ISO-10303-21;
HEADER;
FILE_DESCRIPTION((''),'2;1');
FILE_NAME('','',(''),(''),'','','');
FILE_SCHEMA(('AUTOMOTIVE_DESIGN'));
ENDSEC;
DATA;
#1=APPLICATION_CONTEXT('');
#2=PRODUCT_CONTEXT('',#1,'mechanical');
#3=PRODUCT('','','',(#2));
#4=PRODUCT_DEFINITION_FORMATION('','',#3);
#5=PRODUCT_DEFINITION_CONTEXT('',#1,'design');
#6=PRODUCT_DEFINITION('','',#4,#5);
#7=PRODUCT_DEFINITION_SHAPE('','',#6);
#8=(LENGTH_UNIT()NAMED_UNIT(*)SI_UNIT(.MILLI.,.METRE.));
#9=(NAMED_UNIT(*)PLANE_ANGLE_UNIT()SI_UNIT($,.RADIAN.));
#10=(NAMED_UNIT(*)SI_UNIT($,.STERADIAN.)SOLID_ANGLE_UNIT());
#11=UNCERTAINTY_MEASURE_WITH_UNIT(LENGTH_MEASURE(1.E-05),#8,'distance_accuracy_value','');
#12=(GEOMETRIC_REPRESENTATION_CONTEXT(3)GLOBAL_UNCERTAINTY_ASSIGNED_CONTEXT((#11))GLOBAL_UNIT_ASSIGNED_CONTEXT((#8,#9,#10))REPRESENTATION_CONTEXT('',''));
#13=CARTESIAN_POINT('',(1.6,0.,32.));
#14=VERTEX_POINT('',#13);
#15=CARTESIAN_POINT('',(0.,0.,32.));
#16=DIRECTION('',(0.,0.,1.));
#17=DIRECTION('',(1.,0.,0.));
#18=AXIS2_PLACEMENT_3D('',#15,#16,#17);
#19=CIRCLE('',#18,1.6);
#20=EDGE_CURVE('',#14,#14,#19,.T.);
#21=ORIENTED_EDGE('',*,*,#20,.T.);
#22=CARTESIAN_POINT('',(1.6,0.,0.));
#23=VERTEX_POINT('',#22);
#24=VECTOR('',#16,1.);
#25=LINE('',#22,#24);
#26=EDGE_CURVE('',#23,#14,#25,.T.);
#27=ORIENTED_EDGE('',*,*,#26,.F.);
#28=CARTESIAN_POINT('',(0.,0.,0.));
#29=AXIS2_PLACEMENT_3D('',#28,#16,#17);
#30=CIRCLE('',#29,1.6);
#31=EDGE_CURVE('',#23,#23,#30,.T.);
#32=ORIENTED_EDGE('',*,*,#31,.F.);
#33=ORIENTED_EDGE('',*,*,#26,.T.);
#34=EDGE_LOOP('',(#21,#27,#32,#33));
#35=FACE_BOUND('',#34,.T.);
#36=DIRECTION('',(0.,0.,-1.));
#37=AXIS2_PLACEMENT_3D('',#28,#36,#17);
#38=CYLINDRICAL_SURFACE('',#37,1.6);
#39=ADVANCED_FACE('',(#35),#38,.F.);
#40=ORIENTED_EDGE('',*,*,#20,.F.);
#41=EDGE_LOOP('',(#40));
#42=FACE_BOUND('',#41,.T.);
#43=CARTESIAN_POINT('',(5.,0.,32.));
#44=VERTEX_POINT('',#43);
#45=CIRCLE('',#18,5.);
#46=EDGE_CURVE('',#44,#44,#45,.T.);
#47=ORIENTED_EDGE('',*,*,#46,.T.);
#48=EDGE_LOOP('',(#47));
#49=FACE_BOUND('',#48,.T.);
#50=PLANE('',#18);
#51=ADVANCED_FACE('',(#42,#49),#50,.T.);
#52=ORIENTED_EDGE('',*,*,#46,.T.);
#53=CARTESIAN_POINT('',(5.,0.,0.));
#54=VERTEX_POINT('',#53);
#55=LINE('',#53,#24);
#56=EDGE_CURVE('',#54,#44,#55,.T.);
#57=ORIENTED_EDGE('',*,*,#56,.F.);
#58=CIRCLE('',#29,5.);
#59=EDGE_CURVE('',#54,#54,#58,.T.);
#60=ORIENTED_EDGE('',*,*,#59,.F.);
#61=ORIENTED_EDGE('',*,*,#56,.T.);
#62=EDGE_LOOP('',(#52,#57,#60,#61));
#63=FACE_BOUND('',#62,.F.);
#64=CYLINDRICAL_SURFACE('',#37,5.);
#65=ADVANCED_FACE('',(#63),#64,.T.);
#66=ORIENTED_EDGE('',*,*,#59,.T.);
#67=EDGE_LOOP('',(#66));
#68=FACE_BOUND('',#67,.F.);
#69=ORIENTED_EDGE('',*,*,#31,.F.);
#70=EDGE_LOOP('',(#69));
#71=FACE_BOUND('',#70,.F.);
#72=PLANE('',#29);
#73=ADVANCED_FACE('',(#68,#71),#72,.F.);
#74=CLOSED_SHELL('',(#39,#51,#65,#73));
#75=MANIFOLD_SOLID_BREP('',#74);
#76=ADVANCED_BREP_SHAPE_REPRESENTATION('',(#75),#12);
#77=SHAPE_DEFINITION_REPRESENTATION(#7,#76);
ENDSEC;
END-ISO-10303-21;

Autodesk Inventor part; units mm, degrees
ref_plane "YZ Plane" through (0, 0, 0) normal (1, 0, 0) x (0, 1, 0)
ref_plane "XZ Plane" through (0, 0, 0) normal (0, 1, 0) x (-1, 0, 0)
ref_plane "XY Plane" through (0, 0, 0) normal (0, 0, 1) x (1, 0, 0)
sketch "스케치1" plane through (0, 0, 0) normal (0, 0, 1) x (1, 0, 0)
  circle A0 centre (0, 0) radius 1.6
  circle A1 centre (0, 0) radius 5
  dimension "d0" = 3.2
  dimension "d1" = 10
extrude "돌출1" add sketch "스케치1" along normal blind 32
properties part number "Gear_8T_Connect" material "LCP 플라스틱"
